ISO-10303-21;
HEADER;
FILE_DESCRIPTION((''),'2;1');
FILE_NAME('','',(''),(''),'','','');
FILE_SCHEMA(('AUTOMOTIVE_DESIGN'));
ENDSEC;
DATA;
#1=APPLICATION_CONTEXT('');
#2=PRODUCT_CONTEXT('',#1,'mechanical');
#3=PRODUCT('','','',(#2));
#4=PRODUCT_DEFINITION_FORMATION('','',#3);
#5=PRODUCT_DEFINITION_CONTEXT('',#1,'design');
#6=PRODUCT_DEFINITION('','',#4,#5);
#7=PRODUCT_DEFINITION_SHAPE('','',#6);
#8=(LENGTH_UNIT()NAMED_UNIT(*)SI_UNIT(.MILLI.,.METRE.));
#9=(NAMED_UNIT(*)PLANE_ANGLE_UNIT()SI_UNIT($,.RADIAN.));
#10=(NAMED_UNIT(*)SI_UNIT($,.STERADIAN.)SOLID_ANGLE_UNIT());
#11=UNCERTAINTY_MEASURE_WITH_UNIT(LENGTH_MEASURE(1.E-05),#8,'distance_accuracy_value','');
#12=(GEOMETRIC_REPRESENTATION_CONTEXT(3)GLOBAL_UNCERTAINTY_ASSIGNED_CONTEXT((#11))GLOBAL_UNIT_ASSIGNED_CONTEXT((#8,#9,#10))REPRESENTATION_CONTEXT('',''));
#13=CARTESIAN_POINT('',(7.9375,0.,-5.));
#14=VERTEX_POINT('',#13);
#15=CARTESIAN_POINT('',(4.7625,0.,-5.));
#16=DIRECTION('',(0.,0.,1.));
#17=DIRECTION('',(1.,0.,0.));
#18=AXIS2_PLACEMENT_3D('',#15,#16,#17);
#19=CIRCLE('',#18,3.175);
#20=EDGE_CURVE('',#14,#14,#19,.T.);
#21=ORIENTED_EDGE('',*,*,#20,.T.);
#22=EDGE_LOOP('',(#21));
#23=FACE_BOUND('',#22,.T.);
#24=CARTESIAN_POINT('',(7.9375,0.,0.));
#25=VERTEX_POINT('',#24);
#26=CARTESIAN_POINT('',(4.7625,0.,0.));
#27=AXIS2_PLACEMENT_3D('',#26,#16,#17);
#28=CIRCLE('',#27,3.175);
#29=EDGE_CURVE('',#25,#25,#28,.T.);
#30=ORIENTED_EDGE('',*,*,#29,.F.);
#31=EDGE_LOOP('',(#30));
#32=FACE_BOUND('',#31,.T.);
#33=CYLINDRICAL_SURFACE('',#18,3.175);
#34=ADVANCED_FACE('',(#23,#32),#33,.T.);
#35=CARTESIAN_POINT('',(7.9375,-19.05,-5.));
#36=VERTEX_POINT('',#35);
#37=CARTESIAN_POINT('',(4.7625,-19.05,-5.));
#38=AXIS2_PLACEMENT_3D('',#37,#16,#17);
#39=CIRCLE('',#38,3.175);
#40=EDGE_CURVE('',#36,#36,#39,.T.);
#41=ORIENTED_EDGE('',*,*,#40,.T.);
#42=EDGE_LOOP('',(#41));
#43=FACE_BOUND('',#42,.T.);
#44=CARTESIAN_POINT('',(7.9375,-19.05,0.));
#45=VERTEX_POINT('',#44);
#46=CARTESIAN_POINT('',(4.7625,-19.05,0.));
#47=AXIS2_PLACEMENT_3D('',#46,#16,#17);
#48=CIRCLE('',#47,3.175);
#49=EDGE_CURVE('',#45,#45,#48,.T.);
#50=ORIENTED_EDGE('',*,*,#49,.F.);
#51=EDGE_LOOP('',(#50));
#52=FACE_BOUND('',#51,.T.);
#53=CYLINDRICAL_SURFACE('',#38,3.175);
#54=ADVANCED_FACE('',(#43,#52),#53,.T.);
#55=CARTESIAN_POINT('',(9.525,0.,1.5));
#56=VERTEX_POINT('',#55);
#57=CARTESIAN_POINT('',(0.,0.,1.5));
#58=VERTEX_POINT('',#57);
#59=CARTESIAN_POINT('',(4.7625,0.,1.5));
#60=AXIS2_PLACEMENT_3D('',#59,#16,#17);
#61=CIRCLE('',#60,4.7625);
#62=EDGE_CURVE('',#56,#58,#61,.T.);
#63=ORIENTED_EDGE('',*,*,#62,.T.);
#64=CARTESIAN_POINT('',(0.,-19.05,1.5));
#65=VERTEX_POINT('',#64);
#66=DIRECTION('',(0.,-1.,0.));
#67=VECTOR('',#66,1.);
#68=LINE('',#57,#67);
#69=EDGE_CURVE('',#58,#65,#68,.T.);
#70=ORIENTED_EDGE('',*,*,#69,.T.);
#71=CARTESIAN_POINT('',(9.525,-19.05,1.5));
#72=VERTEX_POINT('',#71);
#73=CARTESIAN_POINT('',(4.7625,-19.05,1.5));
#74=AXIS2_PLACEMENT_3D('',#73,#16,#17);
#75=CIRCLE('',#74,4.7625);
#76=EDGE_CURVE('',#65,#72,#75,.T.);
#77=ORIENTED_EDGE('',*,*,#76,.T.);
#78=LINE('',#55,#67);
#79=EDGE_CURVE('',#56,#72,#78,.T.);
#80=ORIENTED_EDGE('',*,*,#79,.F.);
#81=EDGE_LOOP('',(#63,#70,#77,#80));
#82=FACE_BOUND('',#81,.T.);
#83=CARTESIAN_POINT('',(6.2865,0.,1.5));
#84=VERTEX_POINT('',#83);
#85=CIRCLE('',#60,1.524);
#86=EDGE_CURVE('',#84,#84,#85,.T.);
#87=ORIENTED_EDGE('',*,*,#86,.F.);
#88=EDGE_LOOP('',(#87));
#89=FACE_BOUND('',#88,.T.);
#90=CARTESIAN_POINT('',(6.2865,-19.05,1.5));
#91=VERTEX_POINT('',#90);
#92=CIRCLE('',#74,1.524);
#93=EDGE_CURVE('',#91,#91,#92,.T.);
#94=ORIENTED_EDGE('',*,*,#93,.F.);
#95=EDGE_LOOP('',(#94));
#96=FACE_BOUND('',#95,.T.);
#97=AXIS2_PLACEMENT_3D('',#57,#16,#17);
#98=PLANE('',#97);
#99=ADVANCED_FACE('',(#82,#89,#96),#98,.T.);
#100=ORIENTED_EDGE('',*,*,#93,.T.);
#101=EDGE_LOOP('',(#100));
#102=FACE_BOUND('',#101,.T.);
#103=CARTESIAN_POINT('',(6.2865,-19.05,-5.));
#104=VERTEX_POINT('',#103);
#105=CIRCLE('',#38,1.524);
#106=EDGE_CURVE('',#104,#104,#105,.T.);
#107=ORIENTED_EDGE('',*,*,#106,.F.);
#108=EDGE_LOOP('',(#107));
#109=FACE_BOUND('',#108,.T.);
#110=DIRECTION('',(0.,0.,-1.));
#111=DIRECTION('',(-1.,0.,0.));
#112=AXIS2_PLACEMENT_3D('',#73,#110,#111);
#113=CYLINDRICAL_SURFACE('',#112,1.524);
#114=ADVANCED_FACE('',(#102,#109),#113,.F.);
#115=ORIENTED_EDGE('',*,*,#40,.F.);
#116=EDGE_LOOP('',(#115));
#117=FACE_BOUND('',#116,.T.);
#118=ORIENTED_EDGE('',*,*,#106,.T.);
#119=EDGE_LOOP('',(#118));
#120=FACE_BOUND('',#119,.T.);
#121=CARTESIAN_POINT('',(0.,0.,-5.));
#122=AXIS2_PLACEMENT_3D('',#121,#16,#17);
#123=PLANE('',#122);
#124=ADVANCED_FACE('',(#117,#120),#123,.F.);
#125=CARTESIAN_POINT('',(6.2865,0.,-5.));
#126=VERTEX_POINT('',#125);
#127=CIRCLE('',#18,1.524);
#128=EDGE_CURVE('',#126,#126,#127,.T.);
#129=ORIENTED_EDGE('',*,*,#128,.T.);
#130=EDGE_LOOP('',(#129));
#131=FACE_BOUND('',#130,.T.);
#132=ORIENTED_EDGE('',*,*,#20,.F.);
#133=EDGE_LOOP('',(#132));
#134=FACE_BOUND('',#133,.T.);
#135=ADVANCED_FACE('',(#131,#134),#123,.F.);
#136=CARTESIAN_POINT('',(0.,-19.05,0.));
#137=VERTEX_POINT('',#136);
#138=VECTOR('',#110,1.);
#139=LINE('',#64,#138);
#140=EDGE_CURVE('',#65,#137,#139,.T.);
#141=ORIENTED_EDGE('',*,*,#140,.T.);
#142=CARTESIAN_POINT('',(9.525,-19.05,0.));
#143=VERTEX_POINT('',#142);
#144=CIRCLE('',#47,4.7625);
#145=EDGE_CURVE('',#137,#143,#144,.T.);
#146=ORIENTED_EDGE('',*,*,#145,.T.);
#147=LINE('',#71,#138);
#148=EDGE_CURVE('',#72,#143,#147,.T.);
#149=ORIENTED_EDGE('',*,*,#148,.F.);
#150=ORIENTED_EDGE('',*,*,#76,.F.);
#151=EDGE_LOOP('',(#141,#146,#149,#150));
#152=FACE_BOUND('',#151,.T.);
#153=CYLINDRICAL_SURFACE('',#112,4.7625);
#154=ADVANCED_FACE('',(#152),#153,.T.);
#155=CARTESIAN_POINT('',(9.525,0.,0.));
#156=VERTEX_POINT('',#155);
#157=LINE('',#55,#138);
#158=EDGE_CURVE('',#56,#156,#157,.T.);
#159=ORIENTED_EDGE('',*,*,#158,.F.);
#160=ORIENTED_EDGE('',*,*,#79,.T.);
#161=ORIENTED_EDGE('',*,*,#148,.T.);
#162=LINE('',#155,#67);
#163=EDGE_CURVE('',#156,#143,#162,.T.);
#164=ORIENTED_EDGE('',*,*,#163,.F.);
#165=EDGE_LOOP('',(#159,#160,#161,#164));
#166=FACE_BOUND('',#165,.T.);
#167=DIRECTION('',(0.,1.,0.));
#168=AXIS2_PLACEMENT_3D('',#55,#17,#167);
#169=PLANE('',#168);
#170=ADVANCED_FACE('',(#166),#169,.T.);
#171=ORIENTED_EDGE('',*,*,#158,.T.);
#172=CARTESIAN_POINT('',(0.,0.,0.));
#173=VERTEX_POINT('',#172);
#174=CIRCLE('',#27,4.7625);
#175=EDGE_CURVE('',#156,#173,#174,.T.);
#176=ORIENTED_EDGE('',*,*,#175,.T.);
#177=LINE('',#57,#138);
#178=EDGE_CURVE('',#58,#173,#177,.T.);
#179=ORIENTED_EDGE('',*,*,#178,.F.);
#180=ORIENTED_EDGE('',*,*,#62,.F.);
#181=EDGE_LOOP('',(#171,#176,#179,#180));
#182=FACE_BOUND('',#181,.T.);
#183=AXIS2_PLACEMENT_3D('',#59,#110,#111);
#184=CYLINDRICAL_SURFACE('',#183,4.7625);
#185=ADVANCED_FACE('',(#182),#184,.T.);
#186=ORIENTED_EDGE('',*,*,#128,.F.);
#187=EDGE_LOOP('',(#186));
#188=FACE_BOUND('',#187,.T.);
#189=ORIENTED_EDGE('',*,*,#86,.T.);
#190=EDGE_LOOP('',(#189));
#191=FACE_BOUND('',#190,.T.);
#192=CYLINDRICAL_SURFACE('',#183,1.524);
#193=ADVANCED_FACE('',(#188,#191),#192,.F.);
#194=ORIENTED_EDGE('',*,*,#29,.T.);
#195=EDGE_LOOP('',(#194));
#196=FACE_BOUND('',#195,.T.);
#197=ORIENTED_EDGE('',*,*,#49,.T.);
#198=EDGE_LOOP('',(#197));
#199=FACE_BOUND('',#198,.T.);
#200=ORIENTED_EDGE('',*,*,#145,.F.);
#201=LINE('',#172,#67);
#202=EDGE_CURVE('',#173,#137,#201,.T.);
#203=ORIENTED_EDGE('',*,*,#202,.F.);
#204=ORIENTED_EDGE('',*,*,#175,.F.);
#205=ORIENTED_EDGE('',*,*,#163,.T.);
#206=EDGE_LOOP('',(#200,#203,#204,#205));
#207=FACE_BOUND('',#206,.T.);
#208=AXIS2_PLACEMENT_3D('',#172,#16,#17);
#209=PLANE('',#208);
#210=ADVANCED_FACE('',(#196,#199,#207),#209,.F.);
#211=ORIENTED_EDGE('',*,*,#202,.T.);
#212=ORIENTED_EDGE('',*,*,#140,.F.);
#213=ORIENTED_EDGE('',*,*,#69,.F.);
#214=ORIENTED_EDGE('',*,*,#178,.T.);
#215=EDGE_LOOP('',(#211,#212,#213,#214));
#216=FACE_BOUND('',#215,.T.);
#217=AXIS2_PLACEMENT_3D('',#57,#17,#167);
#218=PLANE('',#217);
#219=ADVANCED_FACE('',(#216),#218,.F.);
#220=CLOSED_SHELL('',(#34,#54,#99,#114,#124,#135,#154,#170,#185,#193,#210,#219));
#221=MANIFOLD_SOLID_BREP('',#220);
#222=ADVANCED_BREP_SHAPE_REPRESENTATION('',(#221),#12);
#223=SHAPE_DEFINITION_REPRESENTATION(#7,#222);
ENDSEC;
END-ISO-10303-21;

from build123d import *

# Parameters (mm, degrees)
SKETCH1_R           = 1.524
BOSS_EXTRUDE1_DEPTH = 1.5
BOSS_EXTRUDE2_START = -5
SKETCH1_7_R         = 3.175
SKETCH1_7_R_2       = 1.524
BOSS_EXTRUDE2_DEPTH = 5


with BuildPart() as part:
    # Sketch1 → Boss-Extrude1 (new body)
    with BuildSketch(Plane.XY):
        with BuildLine():
            Line((9.525, -19.05), (9.525, 0))
            ThreePointArc((9.525, 0), (4.7625, 4.7625), (0, 0))
            Line((0, 0), (0, -19.05))
            ThreePointArc((0, -19.05), (4.7625, -23.8125), (9.525, -19.05))
        make_face()
        with Locations((4.7625, -19.05)):
            Circle(SKETCH1_R, mode=Mode.SUBTRACT)
        with Locations((4.7625, 0)):
            Circle(SKETCH1_R, mode=Mode.SUBTRACT)
    extrude(amount=BOSS_EXTRUDE1_DEPTH)

    # Sketch1<7> → Boss-Extrude2 (add)
    # profile 1 of 2: a face of its own
    with BuildSketch(Plane.XY.offset(BOSS_EXTRUDE2_START)):
        with Locations((4.7625, 0)):
            Circle(SKETCH1_7_R)
        with Locations((4.7625, 0)):
            Circle(SKETCH1_7_R_2, mode=Mode.SUBTRACT)
    # profile 2 of 2: a face of its own
    with BuildSketch(Plane.XY.offset(BOSS_EXTRUDE2_START)):
        with Locations((4.7625, -19.05)):
            Circle(SKETCH1_7_R)
        with Locations((4.7625, -19.05)):
            Circle(SKETCH1_7_R_2, mode=Mode.SUBTRACT)
    extrude(amount=BOSS_EXTRUDE2_DEPTH)


solid = part.part
